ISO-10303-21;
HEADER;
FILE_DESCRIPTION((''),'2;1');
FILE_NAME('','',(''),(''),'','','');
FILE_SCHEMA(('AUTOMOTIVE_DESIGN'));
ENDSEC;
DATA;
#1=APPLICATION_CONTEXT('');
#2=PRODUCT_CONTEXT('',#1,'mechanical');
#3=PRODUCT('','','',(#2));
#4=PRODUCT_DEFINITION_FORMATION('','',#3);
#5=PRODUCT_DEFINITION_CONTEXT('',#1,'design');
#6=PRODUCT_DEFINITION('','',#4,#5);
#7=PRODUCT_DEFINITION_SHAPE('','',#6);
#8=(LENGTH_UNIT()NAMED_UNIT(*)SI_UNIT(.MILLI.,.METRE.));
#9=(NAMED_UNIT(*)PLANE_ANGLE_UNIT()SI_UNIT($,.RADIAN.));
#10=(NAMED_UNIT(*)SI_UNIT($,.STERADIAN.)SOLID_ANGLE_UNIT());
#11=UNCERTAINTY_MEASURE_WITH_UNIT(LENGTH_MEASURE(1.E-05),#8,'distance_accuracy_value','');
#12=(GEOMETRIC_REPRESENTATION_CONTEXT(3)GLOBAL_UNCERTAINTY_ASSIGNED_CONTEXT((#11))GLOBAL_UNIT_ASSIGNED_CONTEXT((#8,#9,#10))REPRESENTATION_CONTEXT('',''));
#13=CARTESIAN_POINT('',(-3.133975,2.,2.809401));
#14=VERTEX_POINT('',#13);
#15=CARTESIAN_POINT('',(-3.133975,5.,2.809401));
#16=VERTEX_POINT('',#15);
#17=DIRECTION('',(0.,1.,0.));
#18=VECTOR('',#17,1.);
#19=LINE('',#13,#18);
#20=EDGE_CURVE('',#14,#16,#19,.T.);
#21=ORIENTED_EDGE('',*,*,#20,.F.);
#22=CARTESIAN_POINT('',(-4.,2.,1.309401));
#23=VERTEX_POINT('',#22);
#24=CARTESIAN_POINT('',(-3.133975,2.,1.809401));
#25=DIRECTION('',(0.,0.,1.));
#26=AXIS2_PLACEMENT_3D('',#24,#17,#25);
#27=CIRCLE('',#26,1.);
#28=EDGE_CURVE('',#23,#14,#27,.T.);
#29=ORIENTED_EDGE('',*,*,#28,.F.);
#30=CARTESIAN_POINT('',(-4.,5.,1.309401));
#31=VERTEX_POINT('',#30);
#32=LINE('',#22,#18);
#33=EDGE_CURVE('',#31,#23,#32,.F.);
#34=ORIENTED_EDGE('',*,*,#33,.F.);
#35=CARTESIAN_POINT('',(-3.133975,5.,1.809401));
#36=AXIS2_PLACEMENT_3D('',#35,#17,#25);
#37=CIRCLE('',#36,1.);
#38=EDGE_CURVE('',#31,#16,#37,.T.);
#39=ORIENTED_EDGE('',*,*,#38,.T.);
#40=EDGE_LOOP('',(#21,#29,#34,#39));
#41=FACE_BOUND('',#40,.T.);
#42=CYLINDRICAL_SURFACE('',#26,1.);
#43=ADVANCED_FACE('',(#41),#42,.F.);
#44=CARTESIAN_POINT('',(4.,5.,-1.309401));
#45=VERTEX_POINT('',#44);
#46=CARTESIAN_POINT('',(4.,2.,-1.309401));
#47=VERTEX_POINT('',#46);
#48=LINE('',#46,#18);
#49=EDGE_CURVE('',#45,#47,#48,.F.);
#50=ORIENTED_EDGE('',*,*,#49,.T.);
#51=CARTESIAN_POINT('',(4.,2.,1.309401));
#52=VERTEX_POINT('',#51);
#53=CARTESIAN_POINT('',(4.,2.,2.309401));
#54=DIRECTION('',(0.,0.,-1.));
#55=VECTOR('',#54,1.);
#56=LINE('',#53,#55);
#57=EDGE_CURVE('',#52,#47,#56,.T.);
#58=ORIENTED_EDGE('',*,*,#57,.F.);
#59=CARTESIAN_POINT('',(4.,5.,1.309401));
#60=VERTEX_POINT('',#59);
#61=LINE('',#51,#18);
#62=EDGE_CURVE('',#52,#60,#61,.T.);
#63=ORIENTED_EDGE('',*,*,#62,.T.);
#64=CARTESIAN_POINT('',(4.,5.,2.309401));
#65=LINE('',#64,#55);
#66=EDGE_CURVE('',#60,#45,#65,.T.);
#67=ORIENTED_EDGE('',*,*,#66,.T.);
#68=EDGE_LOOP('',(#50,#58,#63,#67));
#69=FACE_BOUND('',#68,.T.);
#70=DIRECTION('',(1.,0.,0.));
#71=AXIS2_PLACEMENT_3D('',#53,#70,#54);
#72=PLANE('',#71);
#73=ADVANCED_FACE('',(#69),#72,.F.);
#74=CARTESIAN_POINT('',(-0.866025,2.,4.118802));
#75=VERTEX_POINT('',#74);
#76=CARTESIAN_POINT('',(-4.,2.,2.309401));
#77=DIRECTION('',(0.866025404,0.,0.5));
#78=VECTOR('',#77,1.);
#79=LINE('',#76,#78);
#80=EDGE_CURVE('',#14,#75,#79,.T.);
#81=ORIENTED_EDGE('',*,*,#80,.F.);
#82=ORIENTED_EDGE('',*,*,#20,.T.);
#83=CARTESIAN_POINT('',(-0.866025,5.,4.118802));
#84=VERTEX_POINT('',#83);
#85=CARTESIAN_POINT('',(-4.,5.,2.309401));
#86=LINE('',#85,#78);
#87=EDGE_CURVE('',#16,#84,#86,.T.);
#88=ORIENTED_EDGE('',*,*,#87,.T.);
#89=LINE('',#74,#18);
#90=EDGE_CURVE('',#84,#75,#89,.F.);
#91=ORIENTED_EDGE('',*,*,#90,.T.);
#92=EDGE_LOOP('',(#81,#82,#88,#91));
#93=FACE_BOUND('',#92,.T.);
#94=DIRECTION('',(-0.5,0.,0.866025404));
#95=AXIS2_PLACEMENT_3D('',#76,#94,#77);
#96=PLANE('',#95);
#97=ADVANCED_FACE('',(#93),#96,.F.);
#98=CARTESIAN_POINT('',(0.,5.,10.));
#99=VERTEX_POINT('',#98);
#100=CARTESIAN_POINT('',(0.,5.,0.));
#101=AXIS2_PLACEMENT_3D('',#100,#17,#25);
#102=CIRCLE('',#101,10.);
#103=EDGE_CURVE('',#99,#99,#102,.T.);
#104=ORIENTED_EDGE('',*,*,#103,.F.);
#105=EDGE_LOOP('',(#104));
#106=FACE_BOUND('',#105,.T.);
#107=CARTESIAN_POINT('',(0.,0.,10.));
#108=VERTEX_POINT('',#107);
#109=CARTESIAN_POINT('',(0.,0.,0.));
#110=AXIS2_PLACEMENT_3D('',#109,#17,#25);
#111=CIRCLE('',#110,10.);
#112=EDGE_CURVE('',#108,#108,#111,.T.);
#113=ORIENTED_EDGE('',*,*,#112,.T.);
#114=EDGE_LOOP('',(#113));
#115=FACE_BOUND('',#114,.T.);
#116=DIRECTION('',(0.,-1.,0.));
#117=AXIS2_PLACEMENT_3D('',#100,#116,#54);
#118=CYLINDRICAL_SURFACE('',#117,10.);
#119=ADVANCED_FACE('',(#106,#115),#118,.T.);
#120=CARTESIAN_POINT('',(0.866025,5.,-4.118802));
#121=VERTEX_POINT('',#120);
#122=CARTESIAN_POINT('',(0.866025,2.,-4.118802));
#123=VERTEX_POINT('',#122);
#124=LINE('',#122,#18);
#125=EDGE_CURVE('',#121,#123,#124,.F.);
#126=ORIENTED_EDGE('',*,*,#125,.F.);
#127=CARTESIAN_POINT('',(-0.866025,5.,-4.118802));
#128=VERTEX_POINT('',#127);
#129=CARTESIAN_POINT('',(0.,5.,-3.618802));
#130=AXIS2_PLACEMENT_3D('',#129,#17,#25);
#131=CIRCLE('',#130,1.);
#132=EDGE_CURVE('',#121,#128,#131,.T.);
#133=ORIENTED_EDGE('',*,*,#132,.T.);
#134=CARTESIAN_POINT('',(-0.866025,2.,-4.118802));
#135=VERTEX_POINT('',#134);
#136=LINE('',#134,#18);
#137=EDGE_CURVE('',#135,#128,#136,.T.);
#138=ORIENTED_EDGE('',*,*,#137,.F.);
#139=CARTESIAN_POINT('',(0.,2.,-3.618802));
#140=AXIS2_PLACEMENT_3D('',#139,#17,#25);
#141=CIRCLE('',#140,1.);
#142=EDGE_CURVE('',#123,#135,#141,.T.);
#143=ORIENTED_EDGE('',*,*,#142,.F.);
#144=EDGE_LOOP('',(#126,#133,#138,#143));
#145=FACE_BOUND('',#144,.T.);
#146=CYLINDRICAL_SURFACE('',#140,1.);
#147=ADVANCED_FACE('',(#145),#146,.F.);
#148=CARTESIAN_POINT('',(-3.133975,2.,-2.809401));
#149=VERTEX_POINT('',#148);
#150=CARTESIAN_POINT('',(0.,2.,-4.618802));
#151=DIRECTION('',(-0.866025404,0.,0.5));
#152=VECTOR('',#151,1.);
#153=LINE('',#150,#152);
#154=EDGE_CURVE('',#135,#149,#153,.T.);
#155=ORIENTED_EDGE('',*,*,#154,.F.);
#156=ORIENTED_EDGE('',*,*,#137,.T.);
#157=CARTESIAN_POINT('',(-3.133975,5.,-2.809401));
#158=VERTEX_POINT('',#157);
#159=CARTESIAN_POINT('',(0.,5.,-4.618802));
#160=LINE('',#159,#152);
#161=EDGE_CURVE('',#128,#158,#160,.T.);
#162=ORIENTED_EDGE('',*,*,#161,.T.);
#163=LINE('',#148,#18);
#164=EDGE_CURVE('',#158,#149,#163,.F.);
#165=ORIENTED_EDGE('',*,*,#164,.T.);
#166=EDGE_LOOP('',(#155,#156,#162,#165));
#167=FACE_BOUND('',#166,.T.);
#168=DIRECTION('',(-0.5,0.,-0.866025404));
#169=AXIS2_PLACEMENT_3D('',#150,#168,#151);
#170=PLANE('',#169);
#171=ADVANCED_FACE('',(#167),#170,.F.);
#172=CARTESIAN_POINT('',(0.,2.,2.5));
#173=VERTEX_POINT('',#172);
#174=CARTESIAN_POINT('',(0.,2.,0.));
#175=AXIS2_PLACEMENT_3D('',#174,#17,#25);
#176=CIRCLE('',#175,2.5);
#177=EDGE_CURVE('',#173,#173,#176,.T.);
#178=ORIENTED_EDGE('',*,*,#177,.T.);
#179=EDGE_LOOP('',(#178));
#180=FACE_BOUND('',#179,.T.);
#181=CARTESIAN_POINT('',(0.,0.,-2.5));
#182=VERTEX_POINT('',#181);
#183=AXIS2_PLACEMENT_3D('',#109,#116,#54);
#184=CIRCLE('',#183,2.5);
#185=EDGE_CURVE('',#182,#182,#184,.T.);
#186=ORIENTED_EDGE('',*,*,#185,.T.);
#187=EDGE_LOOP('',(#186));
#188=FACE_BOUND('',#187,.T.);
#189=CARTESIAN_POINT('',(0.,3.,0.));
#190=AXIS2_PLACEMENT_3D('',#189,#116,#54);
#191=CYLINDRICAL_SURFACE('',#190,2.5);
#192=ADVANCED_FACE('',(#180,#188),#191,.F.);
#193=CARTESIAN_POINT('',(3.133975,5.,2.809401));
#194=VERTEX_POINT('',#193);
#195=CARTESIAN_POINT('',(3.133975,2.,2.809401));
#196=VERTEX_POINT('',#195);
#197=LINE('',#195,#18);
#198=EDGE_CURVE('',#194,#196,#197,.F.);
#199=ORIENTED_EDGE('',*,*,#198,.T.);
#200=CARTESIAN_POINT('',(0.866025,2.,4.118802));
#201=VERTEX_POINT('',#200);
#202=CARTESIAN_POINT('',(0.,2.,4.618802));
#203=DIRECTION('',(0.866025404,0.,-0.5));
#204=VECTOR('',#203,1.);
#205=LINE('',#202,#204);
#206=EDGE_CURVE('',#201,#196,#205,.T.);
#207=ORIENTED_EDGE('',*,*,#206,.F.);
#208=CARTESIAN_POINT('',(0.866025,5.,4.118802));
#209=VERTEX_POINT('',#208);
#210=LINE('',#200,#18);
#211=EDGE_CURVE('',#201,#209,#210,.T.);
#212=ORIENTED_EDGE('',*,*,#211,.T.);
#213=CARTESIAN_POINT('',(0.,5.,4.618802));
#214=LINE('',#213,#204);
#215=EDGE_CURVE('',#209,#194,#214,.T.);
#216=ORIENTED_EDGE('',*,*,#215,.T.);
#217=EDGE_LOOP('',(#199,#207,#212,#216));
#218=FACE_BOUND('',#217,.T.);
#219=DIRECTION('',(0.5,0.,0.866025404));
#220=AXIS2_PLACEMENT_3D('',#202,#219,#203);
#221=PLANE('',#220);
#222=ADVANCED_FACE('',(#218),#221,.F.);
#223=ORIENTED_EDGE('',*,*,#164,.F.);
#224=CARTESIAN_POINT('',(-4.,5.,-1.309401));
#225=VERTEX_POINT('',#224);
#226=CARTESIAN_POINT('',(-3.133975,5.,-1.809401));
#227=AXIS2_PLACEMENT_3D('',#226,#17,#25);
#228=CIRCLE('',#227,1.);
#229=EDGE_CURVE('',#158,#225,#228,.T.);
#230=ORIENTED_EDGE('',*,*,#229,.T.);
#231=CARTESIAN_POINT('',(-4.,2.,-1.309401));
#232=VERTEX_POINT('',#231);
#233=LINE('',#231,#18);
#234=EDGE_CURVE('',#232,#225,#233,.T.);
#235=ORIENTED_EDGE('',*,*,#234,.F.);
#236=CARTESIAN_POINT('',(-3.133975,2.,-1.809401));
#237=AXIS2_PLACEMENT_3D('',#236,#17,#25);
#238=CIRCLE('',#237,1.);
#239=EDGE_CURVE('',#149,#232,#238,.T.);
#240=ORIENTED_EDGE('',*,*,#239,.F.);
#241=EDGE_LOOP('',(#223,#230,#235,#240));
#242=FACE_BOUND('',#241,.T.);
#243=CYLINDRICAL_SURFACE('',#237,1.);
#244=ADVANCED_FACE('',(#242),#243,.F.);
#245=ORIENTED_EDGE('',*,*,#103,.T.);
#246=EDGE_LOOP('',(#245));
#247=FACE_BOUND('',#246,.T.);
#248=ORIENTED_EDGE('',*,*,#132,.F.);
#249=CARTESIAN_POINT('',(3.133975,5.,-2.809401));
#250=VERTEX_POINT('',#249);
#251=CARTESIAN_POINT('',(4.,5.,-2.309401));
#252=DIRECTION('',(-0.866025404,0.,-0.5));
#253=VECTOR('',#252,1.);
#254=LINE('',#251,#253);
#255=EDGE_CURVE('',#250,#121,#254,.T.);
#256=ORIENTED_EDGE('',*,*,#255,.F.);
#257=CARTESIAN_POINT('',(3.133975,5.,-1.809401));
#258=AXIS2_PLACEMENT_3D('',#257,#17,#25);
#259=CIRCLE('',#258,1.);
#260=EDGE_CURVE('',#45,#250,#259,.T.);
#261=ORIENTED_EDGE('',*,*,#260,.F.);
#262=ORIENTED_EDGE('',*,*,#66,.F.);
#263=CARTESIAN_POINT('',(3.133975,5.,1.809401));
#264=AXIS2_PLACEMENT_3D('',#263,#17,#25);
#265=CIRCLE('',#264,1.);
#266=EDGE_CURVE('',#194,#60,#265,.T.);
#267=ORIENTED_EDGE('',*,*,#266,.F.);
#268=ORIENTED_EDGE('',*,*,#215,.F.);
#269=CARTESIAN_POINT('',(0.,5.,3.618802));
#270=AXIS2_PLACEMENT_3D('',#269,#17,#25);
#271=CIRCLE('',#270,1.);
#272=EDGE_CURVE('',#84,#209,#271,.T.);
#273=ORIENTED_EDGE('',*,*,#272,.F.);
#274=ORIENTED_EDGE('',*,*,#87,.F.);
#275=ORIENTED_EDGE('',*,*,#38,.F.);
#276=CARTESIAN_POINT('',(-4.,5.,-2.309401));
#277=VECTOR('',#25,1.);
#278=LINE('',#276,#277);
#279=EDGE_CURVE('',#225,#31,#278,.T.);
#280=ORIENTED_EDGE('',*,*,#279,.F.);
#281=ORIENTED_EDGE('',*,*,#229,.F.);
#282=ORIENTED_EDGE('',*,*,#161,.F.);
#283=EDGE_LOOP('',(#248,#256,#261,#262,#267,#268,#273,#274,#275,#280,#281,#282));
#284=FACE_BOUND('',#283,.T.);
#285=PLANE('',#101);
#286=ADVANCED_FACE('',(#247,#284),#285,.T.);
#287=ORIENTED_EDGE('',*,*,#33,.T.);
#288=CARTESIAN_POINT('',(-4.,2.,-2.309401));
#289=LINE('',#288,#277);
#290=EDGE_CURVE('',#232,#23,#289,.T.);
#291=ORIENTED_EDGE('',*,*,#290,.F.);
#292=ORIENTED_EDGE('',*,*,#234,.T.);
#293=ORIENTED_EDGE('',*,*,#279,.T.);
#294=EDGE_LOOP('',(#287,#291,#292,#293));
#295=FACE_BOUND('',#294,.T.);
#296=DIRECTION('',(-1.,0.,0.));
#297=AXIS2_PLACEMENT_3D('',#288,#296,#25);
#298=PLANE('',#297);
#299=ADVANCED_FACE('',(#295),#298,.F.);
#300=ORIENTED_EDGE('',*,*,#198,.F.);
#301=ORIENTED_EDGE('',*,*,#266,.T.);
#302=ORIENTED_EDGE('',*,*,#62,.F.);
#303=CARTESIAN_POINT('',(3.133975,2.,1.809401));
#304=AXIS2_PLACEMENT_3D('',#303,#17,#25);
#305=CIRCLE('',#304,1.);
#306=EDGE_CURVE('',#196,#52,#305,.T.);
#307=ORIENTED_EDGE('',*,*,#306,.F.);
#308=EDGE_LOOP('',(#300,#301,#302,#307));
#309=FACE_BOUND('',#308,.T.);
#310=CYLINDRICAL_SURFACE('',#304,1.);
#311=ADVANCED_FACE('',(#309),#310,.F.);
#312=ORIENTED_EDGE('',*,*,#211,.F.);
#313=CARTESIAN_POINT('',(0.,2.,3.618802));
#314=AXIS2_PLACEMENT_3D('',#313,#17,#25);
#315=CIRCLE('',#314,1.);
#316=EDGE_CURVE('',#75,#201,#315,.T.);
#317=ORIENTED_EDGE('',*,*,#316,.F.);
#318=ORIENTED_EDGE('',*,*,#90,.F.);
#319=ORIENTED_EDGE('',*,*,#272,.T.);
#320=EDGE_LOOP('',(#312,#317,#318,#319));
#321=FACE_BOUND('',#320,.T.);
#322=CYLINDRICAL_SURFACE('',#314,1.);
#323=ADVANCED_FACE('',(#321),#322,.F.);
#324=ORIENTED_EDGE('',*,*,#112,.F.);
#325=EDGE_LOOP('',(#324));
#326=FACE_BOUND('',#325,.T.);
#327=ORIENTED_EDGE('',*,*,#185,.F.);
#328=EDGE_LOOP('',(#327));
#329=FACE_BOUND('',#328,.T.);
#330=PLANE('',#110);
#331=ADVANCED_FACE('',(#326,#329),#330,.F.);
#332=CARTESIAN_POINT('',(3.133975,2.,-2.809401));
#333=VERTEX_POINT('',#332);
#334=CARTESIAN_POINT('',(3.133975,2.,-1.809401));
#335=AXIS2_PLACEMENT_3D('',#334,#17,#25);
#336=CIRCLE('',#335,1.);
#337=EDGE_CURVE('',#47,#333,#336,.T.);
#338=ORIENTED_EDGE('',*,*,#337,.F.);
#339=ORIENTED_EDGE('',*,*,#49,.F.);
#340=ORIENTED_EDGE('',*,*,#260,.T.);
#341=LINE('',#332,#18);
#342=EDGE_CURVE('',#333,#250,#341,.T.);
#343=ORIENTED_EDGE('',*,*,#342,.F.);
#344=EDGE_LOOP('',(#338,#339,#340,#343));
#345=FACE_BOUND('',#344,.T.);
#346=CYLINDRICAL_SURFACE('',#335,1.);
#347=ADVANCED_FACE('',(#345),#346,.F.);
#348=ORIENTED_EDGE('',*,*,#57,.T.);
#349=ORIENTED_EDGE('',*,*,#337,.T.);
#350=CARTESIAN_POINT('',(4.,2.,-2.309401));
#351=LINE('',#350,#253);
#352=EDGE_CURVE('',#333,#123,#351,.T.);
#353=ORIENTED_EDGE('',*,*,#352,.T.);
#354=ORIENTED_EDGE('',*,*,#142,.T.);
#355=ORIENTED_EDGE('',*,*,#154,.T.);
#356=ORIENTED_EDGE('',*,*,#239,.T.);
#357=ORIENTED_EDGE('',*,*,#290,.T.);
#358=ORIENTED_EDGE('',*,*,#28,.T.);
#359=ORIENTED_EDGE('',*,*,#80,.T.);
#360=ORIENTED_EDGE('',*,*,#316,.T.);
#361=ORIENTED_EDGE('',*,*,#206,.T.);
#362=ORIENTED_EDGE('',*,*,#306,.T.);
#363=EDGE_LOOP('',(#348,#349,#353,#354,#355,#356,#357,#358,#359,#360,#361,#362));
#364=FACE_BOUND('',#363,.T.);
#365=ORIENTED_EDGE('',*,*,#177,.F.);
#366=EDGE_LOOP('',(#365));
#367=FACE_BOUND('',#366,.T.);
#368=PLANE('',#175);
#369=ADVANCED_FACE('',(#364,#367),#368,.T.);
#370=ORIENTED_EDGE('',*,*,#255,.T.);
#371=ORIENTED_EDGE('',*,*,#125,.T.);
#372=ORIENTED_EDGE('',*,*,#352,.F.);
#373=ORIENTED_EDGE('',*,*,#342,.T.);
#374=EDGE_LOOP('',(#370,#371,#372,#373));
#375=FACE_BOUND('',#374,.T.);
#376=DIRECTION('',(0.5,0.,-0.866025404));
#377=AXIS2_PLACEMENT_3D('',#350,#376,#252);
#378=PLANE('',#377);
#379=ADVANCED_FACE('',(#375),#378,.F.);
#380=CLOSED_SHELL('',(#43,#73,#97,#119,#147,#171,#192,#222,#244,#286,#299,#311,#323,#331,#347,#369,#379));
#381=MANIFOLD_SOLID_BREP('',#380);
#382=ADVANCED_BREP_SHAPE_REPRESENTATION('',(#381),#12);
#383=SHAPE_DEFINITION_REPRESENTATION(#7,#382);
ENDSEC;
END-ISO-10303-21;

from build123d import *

# Parameters (mm, degrees)
SKETCH_1_R          = 10
EXTRUDE_1_DEPTH     = 5
CUT_EXTRUDE_1_DEPTH = 3
SKETCH_3_R          = 1
CUT_EXTRUDE_2_DEPTH = 3
SKETCH_5_R          = 2.5
CUT_EXTRUDE_3_DEPTH = 3


with BuildPart() as part:
    # 스케치1 → 보스-돌출1 (new body)
    with BuildSketch(Plane(origin=(0, 0, 0), x_dir=(1, 0, 0), z_dir=(0, 1, 0))):
        with Locations(Location((0, 0, 0), (0, 0, 270))):
            Circle(SKETCH_1_R)
    extrude(amount=EXTRUDE_1_DEPTH)

    # 스케치2 → 컷-돌출1 (cut)
    with BuildSketch(Plane(origin=(0, 5, 0), x_dir=(1, 0, 0), z_dir=(0, 1, 0))):
        Polygon((0, 4.618802154), (-4, 2.309401077), (-4, -2.309401077), (0, -4.618802154), (4, -2.309401077), (4, 2.309401077), align=None)
    extrude(amount=-CUT_EXTRUDE_1_DEPTH, mode=Mode.SUBTRACT)

    # 스케치3 → 컷-돌출2 (cut)
    with BuildSketch(Plane(origin=(0, 5, 0), x_dir=(1, 0, 0), z_dir=(0, 1, 0))):
        with Locations((0, 3.618802154)):
            Circle(SKETCH_3_R)
        with Locations((3.133974596, 1.809401077)):
            Circle(SKETCH_3_R)
        with Locations((3.133974596, -1.809401077)):
            Circle(SKETCH_3_R)
        with Locations((0, -3.618802154)):
            Circle(SKETCH_3_R)
        with Locations((-3.133974596, -1.809401077)):
            Circle(SKETCH_3_R)
        with Locations((-3.133974596, 1.809401077)):
            Circle(SKETCH_3_R)
    extrude(amount=-CUT_EXTRUDE_2_DEPTH, mode=Mode.SUBTRACT)

    # 스케치5 → 컷-돌출3 (cut)
    with BuildSketch(Plane.XZ):
        with Locations(Location((0, 0, 0), (0, 0, 270))):
            Circle(SKETCH_5_R)
    extrude(amount=-CUT_EXTRUDE_3_DEPTH, mode=Mode.SUBTRACT)


solid = part.part
